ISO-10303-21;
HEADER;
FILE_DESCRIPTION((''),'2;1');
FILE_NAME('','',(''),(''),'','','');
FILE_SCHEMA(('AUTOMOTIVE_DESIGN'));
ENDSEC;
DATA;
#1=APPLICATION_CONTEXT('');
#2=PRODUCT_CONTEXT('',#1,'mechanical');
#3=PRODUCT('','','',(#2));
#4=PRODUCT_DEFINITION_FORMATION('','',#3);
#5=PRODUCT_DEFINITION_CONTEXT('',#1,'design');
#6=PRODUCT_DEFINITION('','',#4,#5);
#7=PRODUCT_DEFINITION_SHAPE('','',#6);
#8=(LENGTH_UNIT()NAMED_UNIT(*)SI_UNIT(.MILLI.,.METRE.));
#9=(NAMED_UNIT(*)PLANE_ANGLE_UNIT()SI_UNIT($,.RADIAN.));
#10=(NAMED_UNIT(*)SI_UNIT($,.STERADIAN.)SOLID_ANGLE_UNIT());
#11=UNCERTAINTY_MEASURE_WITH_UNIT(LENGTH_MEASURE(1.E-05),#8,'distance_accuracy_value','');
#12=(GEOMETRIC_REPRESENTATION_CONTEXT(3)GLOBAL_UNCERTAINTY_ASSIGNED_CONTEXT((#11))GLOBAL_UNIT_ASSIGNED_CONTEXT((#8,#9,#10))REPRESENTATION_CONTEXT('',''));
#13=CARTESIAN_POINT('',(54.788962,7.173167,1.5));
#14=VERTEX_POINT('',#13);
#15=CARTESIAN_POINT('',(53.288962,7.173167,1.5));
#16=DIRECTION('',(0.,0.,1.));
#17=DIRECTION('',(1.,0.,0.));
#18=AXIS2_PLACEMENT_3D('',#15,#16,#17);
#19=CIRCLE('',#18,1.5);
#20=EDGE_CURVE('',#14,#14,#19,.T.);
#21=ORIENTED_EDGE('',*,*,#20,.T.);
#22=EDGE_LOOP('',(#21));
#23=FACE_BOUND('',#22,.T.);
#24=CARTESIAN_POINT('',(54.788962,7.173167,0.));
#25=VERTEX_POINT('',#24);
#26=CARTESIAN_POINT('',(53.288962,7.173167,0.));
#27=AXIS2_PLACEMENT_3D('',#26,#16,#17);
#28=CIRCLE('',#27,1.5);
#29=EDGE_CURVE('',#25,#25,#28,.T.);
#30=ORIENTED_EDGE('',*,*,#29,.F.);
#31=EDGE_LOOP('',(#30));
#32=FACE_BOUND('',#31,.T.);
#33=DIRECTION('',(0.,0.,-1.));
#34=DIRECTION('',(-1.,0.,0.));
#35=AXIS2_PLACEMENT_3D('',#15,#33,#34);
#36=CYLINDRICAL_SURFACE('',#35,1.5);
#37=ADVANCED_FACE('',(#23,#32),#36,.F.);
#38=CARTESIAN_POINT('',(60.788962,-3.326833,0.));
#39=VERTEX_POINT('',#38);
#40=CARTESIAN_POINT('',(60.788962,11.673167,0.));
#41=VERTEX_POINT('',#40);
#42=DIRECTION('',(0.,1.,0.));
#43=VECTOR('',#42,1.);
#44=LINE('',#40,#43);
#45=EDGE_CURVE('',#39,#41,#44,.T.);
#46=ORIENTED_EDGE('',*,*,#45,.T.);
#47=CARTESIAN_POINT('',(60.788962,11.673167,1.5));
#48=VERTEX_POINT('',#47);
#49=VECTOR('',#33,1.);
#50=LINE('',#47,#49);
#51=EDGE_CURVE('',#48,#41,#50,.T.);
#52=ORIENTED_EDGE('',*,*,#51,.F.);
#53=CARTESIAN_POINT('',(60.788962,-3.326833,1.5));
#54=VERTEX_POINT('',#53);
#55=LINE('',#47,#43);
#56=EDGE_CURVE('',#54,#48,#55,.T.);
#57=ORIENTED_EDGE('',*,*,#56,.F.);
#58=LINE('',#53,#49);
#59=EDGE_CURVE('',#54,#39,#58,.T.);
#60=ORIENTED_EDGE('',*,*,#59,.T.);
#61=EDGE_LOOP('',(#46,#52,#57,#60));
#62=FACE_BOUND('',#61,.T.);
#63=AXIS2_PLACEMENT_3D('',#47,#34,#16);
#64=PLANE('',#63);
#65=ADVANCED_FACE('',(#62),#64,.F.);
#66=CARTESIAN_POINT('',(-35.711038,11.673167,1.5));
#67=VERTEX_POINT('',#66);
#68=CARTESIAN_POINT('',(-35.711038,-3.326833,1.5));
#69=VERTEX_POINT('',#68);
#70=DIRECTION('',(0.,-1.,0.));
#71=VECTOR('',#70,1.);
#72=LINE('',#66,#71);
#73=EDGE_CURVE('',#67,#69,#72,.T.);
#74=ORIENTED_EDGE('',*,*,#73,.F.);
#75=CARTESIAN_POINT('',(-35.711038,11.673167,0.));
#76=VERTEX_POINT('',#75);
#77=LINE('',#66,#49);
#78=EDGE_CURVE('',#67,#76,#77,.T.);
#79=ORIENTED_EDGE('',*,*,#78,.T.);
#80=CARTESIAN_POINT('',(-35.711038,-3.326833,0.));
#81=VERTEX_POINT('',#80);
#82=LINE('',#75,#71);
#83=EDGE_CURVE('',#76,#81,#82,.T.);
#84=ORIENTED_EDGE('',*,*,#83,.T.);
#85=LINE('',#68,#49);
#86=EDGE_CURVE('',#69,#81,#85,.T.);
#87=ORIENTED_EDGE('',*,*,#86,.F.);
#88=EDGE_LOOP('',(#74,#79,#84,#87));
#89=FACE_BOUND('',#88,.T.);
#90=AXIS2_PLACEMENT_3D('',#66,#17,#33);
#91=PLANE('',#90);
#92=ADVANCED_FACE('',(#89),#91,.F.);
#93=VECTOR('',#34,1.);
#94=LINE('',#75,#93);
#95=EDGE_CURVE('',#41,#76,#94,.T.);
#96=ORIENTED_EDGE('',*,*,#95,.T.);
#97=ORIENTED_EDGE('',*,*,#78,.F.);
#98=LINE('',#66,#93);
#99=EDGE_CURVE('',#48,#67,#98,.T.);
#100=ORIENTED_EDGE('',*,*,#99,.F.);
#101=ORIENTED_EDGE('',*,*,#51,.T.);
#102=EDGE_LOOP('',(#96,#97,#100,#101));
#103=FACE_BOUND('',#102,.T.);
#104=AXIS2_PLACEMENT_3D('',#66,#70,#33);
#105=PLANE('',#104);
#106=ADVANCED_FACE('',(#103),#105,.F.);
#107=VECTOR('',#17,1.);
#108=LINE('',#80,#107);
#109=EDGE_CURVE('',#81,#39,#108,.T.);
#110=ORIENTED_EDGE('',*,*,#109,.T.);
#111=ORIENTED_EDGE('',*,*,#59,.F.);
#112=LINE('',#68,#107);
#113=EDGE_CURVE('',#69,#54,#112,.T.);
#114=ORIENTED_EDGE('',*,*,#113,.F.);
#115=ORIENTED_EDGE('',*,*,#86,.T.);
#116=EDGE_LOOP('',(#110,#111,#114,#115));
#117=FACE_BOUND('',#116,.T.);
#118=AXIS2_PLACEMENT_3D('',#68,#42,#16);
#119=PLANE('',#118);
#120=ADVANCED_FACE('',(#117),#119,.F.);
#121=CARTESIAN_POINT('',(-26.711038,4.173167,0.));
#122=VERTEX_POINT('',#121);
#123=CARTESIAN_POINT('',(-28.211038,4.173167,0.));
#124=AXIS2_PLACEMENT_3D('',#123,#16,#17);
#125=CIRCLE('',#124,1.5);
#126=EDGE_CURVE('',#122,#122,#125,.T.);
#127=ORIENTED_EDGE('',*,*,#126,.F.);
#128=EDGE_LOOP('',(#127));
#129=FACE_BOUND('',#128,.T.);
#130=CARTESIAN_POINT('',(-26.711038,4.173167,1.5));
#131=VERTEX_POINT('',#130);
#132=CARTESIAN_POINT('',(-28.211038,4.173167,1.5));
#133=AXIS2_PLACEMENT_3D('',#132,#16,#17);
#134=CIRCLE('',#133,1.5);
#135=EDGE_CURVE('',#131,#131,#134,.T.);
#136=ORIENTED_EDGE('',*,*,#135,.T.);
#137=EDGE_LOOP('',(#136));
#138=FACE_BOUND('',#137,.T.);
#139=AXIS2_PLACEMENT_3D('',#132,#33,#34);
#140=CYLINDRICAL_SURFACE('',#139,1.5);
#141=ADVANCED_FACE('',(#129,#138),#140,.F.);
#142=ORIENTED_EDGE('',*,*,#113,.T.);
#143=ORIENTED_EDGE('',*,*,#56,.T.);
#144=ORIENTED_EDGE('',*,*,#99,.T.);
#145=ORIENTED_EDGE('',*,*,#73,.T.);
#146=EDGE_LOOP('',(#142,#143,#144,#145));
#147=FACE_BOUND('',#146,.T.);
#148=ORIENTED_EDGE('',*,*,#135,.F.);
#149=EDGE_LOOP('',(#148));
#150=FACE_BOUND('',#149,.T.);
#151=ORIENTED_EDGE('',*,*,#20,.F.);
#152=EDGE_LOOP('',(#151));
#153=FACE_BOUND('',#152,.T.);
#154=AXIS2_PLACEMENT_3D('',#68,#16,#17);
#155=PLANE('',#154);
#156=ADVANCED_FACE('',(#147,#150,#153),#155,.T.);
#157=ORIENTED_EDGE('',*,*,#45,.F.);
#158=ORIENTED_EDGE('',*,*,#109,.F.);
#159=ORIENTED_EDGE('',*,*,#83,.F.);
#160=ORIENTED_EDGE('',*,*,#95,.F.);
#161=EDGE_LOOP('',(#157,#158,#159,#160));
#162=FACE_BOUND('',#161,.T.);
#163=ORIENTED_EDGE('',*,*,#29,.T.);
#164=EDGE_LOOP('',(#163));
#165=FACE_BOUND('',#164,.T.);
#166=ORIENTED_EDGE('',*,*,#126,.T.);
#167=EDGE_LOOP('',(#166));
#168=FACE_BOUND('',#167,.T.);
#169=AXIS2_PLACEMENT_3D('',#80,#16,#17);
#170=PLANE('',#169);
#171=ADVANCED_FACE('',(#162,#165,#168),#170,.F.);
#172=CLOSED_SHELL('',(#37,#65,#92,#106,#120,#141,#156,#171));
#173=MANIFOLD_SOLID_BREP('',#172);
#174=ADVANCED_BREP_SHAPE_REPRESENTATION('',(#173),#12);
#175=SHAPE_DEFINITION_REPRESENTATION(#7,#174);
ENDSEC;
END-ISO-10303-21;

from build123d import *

# Parameters (mm, degrees)
ESQUISSE1_W      = 96.5
ESQUISSE1_H      = 15
ESQUISSE1_R      = 1.5
EXTRUSION1_DEPTH = 1.5


with BuildPart() as part:
    # Esquisse1 → Extrusion1 (new body)
    with BuildSketch(Plane.XY):
        with Locations((12.538961922, 4.173166844)):
            Rectangle(ESQUISSE1_W, ESQUISSE1_H)
        with Locations((-28.211038078, 4.173166844)):
            Circle(ESQUISSE1_R, mode=Mode.SUBTRACT)
        with Locations((53.288961922, 7.173166844)):
            Circle(ESQUISSE1_R, mode=Mode.SUBTRACT)
    extrude(amount=EXTRUSION1_DEPTH)


solid = part.part
